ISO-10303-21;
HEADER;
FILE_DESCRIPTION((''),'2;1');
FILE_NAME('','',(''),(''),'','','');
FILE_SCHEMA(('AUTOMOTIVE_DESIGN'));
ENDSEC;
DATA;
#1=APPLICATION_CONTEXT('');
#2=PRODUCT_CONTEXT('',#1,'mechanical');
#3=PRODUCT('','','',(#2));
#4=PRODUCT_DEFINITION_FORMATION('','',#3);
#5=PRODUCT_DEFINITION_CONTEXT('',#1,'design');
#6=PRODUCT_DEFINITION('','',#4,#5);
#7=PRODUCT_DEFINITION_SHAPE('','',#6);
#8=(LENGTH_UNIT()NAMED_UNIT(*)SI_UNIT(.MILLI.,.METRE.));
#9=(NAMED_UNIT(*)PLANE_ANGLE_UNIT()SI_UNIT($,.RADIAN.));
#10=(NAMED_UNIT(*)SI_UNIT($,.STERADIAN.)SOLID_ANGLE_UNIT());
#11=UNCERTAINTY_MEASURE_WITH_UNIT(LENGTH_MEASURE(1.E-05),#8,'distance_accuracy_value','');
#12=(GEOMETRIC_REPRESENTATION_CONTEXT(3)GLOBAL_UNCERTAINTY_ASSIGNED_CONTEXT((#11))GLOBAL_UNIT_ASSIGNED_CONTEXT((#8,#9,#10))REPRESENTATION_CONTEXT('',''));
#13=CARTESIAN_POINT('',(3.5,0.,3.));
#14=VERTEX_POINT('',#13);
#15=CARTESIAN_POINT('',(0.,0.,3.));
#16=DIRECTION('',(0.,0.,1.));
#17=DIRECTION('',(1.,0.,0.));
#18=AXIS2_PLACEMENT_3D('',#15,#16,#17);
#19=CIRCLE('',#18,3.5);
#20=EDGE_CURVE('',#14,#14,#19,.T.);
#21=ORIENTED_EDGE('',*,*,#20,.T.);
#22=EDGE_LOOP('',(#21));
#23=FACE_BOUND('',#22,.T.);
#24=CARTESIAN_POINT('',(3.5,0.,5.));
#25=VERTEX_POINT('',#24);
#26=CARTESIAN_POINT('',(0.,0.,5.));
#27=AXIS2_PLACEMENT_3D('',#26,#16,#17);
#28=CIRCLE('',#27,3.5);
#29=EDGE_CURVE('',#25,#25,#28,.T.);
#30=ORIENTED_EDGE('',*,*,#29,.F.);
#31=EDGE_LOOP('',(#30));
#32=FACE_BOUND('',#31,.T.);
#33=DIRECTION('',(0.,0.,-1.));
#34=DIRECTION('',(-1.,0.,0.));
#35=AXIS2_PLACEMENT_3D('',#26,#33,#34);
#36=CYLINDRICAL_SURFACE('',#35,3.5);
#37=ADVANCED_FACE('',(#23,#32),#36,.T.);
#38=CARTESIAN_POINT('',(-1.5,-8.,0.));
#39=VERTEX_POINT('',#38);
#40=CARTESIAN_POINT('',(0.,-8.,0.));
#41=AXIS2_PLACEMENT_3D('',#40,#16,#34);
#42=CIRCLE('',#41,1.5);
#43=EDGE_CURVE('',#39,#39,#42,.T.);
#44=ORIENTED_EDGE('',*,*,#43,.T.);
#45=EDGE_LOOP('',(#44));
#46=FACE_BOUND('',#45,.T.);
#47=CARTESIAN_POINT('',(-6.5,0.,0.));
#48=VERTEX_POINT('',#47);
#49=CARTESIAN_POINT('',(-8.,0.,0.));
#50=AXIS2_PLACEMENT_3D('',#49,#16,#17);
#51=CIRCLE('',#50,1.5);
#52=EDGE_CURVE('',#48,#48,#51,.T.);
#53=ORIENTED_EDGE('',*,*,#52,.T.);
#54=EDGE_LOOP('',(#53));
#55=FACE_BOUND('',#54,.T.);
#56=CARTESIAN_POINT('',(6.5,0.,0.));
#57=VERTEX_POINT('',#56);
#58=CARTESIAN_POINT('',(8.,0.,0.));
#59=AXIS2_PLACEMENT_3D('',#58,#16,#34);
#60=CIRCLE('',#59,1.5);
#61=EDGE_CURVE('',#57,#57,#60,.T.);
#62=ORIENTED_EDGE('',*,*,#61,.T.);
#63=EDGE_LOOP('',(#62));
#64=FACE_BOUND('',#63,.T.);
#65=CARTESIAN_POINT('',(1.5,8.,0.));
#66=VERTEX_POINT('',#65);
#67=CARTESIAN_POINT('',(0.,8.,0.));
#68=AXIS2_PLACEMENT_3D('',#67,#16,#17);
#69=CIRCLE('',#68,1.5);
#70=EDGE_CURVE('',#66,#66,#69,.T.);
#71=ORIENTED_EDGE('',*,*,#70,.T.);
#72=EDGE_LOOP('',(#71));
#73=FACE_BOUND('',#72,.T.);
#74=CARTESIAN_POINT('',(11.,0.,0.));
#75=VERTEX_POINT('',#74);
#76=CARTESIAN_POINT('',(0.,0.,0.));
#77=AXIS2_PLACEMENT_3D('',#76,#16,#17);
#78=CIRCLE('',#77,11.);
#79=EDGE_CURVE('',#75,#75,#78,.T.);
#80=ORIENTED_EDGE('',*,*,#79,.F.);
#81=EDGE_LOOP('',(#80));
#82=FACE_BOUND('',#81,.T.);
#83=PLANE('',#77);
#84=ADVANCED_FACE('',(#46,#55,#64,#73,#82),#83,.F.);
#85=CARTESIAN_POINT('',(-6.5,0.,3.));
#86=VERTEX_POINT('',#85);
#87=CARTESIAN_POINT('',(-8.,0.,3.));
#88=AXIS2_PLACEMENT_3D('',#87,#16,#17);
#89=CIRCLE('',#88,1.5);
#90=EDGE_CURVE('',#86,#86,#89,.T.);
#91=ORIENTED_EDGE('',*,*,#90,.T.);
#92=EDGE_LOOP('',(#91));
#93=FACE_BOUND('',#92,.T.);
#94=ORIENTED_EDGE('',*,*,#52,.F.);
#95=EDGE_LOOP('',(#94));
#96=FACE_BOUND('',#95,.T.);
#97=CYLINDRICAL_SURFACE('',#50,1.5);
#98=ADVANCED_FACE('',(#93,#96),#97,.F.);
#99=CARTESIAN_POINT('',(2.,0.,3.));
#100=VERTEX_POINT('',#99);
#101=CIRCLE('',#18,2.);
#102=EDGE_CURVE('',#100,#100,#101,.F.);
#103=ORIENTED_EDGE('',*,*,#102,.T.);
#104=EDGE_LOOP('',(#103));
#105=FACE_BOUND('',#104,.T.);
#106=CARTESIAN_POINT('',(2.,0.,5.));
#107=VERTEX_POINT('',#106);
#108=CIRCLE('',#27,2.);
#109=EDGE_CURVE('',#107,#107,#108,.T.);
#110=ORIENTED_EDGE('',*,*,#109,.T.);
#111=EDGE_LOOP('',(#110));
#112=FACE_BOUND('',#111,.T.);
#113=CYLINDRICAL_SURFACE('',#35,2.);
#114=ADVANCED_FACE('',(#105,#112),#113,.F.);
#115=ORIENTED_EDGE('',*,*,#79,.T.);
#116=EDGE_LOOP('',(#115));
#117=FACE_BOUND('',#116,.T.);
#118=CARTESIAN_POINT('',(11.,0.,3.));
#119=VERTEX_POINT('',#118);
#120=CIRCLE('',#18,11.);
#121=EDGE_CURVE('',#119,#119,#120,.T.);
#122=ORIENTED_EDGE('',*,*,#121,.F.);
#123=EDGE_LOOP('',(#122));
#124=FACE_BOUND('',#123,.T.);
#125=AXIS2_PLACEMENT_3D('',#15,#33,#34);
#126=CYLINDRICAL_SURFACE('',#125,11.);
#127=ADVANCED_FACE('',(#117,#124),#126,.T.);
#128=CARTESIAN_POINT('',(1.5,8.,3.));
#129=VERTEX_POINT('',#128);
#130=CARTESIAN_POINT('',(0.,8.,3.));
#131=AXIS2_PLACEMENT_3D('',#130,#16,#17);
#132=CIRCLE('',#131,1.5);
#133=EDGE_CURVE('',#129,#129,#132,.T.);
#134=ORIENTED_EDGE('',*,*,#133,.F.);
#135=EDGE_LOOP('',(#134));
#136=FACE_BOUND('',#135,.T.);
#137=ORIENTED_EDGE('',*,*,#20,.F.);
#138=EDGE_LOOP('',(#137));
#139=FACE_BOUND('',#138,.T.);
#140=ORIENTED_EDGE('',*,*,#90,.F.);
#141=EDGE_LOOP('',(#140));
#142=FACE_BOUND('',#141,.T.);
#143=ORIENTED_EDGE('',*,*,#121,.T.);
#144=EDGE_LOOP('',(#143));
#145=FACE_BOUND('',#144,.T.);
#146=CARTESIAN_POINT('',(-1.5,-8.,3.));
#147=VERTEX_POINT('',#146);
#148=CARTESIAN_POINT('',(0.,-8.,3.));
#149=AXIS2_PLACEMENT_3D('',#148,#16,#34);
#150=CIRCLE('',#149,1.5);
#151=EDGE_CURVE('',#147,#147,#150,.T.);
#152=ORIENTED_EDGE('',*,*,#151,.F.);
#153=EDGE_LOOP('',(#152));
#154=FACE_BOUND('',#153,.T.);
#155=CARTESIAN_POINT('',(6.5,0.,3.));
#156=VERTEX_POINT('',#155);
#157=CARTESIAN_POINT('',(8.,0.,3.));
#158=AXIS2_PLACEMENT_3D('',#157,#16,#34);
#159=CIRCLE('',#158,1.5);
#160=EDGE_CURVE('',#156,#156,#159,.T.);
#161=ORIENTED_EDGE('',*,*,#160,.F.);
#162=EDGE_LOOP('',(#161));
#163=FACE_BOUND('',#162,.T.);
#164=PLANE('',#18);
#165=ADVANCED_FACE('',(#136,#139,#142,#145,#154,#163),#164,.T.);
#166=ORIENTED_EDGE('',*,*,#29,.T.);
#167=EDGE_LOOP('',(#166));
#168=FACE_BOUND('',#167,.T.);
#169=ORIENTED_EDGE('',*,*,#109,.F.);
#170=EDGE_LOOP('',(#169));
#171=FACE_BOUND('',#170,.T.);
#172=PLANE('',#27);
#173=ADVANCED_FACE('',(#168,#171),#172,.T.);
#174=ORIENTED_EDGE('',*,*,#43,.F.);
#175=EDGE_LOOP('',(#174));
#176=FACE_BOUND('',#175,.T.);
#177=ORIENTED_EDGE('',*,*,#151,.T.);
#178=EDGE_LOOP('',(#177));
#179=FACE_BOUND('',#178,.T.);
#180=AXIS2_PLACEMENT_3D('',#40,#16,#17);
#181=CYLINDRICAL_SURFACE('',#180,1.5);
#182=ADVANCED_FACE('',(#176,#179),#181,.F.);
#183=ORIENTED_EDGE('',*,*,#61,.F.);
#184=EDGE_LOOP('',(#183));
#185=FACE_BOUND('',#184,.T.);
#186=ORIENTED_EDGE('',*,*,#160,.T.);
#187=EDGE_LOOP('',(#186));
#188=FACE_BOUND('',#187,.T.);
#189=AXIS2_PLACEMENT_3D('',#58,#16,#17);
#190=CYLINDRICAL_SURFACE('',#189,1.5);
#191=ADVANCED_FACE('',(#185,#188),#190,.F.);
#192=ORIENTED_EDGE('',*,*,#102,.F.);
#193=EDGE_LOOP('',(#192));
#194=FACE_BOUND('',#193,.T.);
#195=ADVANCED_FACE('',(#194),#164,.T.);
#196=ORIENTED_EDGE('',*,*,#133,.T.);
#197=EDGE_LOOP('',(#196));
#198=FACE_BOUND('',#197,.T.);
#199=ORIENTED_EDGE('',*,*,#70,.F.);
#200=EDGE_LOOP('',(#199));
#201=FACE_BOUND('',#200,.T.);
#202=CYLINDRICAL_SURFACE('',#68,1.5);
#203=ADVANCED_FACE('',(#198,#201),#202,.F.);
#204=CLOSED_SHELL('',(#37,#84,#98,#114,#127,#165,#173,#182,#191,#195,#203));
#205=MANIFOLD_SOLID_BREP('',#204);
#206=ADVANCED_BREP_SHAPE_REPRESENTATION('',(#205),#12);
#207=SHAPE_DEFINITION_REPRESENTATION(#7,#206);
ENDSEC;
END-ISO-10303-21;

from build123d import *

# Parameters (mm, degrees)
SKETCH1_R           = 11
BOSS_EXTRUDE1_DEPTH = 3
SKETCH2_R           = 1.5
CUT_EXTRUDE1_DEPTH  = 3
SKETCH3_R           = 3.5
SKETCH3_R_2         = 2
BOSS_EXTRUDE2_DEPTH = 2


with BuildPart() as part:
    # Sketch1 → Boss-Extrude1 (new body)
    with BuildSketch(Plane.XY):
        Circle(SKETCH1_R)
    extrude(amount=BOSS_EXTRUDE1_DEPTH)

    # Sketch2 → Cut-Extrude1 (cut)
    with BuildSketch(Plane.XY.offset(3)):
        with Locations((0, 8)):
            Circle(SKETCH2_R)
        with Locations((-8, 0)):
            Circle(SKETCH2_R)
        with Locations(Location((0, -8, 0), (0, 0, 180))):
            Circle(SKETCH2_R)
        with Locations(Location((8, 0, 0), (0, 0, 180))):
            Circle(SKETCH2_R)
    extrude(amount=-CUT_EXTRUDE1_DEPTH, mode=Mode.SUBTRACT)

    # Sketch3 → Boss-Extrude2 (add)
    with BuildSketch(Plane.XY.offset(3)):
        Circle(SKETCH3_R)
        Circle(SKETCH3_R_2, mode=Mode.SUBTRACT)
    extrude(amount=BOSS_EXTRUDE2_DEPTH)


solid = part.part
